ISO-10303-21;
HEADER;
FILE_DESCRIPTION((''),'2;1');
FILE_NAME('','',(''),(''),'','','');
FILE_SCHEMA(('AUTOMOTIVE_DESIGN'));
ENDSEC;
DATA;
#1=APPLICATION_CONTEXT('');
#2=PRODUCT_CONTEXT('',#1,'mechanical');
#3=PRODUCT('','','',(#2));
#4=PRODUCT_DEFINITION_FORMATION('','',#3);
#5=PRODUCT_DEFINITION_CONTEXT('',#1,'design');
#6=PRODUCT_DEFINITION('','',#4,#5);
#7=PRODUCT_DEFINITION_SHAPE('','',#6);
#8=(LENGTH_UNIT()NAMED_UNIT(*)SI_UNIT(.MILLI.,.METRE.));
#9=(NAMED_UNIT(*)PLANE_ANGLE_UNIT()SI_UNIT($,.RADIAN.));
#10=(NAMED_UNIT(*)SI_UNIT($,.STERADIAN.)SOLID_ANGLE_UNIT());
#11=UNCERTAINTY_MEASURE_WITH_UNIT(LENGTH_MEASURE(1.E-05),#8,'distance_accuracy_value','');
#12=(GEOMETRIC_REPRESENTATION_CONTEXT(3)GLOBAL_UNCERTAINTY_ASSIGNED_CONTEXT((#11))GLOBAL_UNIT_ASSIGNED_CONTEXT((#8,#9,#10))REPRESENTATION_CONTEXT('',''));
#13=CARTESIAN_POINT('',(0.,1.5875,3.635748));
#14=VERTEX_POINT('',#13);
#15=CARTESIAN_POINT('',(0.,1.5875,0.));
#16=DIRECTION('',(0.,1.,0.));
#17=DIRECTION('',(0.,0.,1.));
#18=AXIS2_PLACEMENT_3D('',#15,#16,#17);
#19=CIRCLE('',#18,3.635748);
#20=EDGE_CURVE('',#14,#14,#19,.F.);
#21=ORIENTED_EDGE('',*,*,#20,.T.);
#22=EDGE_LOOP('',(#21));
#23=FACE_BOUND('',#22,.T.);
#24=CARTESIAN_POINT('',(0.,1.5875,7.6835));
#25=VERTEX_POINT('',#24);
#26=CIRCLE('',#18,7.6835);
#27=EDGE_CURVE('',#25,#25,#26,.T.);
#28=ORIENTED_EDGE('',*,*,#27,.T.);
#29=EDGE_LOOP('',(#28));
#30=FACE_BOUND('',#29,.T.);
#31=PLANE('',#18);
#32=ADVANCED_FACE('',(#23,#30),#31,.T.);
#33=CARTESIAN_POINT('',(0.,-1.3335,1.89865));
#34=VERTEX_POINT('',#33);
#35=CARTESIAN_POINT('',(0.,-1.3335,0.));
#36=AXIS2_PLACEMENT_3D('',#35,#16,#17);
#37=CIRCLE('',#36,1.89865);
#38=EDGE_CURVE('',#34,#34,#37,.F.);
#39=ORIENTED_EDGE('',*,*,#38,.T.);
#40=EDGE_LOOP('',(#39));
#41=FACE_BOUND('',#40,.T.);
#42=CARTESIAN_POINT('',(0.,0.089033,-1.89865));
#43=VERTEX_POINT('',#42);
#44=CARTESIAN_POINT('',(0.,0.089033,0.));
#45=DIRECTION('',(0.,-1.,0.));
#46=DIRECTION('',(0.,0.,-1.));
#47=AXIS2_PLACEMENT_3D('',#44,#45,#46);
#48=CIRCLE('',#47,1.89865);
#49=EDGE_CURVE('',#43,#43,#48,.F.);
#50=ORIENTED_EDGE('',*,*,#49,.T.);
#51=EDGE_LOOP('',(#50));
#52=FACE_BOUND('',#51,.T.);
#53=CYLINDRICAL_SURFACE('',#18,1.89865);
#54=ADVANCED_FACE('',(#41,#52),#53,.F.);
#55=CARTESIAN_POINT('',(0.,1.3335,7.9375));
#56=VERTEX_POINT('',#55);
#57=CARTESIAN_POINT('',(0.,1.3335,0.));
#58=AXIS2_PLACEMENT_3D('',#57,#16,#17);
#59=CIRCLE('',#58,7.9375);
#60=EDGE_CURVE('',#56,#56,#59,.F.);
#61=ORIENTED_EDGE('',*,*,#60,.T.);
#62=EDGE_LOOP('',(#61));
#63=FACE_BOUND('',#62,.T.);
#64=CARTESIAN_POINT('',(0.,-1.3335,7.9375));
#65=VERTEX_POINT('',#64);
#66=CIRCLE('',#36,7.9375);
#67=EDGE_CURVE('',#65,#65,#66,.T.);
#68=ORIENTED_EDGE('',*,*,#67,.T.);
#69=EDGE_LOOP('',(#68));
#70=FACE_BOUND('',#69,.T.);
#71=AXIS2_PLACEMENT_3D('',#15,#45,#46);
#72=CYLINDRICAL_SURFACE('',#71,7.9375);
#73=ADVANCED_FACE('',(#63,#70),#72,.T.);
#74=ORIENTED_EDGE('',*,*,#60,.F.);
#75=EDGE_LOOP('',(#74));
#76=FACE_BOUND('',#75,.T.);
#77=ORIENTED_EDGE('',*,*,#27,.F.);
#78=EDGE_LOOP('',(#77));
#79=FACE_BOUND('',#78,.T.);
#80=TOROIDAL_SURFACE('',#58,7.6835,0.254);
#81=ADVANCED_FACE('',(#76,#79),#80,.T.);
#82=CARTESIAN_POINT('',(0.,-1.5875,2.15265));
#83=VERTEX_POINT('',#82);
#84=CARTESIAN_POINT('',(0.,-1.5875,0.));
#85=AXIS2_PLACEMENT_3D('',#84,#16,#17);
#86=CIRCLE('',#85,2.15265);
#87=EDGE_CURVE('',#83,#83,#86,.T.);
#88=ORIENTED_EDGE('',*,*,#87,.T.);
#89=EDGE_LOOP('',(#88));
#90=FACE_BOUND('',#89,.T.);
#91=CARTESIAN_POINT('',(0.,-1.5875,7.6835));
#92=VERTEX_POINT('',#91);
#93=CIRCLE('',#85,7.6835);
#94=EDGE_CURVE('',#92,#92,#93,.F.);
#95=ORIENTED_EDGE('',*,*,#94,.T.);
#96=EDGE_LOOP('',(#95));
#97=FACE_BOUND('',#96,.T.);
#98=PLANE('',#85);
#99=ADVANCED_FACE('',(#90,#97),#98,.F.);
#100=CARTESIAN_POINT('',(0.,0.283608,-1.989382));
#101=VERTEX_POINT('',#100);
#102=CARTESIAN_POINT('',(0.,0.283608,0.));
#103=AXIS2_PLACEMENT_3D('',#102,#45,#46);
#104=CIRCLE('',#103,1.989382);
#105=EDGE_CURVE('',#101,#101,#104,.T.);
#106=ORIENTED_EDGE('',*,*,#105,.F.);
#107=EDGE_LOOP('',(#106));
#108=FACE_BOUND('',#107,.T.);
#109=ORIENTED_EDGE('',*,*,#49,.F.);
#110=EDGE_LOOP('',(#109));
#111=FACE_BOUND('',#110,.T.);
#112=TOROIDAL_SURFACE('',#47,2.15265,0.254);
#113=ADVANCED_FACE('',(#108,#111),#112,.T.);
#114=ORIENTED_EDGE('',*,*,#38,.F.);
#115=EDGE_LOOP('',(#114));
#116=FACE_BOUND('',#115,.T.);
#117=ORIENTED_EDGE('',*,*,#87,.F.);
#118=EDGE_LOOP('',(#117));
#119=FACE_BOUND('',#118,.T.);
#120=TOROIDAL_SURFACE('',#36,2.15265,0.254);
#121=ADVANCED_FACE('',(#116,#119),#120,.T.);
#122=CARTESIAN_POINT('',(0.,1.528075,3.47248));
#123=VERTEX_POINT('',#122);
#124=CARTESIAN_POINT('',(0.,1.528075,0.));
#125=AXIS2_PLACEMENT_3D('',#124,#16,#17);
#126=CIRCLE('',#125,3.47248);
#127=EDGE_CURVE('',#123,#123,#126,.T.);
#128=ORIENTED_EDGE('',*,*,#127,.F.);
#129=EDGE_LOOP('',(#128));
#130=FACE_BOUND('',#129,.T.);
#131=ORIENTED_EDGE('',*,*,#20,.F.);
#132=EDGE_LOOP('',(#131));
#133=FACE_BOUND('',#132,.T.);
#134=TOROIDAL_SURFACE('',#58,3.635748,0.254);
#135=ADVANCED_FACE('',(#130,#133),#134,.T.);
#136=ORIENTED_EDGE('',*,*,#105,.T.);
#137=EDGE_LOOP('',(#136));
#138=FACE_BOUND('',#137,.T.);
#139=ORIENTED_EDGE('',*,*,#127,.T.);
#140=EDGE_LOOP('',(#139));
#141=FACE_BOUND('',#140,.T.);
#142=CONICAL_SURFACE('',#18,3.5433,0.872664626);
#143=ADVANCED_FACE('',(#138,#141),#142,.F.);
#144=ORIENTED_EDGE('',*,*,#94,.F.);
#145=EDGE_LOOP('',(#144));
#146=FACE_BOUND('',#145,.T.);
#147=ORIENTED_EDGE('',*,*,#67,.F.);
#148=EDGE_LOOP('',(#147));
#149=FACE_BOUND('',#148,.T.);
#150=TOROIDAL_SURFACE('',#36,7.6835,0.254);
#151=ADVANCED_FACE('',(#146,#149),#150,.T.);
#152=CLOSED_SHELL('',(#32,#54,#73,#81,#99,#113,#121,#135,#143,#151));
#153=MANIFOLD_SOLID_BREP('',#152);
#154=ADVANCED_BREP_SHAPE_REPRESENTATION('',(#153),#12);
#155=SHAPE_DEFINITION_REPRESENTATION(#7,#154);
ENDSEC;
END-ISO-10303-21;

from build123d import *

# Parameters (mm, degrees)
SKETCH1_R                                         = 7.9375
BOSS_EXTRUDE1_DEPTH                               = 1.5875
CSK_FOR_6_FLAT_HEAD_MACHINE_SCREW_100_D           = 3.7973
CSK_FOR_6_FLAT_HEAD_MACHINE_SCREW_100_CSINK_D     = 7.0866
CSK_FOR_6_FLAT_HEAD_MACHINE_SCREW_100_CSINK_ANGLE = 100
FILLET1_R                                         = 0.254


with BuildPart() as part:
    # Sketch1 → Boss-Extrude1 (new, symmetric)
    with BuildSketch(Plane(origin=(0, 0, 0), x_dir=(1, 0, 0), z_dir=(0, 1, 0))):
        with Locations(Location((0, 0, 0), (0, 0, 270))):
            Circle(SKETCH1_R)
    extrude(amount=BOSS_EXTRUDE1_DEPTH, both=True)

    # CSK for #6 Flat Head Machine Screw (100)1 (through all)
    with Locations(Plane(origin=(0, 1.5875, 0), x_dir=(1, 0, 0), z_dir=(0, 1, 0))):
        with Locations((0, 0)):
            CounterSinkHole(CSK_FOR_6_FLAT_HEAD_MACHINE_SCREW_100_D / 2, CSK_FOR_6_FLAT_HEAD_MACHINE_SCREW_100_CSINK_D / 2, counter_sink_angle=CSK_FOR_6_FLAT_HEAD_MACHINE_SCREW_100_CSINK_ANGLE)

    # Fillet1
    fillet1_edges = [part.edges().sort_by_distance(p)[0] for p in [
        (0, -1.5875, -7.9375),
        (0, 1.5875, -7.9375),
        (3.5433, 1.5875, 0),
        (1.89865, -1.5875, 0),
        (1.89865, 0.207474792, 0),
    ]]
    fillet(fillet1_edges, radius=FILLET1_R)


solid = part.part
